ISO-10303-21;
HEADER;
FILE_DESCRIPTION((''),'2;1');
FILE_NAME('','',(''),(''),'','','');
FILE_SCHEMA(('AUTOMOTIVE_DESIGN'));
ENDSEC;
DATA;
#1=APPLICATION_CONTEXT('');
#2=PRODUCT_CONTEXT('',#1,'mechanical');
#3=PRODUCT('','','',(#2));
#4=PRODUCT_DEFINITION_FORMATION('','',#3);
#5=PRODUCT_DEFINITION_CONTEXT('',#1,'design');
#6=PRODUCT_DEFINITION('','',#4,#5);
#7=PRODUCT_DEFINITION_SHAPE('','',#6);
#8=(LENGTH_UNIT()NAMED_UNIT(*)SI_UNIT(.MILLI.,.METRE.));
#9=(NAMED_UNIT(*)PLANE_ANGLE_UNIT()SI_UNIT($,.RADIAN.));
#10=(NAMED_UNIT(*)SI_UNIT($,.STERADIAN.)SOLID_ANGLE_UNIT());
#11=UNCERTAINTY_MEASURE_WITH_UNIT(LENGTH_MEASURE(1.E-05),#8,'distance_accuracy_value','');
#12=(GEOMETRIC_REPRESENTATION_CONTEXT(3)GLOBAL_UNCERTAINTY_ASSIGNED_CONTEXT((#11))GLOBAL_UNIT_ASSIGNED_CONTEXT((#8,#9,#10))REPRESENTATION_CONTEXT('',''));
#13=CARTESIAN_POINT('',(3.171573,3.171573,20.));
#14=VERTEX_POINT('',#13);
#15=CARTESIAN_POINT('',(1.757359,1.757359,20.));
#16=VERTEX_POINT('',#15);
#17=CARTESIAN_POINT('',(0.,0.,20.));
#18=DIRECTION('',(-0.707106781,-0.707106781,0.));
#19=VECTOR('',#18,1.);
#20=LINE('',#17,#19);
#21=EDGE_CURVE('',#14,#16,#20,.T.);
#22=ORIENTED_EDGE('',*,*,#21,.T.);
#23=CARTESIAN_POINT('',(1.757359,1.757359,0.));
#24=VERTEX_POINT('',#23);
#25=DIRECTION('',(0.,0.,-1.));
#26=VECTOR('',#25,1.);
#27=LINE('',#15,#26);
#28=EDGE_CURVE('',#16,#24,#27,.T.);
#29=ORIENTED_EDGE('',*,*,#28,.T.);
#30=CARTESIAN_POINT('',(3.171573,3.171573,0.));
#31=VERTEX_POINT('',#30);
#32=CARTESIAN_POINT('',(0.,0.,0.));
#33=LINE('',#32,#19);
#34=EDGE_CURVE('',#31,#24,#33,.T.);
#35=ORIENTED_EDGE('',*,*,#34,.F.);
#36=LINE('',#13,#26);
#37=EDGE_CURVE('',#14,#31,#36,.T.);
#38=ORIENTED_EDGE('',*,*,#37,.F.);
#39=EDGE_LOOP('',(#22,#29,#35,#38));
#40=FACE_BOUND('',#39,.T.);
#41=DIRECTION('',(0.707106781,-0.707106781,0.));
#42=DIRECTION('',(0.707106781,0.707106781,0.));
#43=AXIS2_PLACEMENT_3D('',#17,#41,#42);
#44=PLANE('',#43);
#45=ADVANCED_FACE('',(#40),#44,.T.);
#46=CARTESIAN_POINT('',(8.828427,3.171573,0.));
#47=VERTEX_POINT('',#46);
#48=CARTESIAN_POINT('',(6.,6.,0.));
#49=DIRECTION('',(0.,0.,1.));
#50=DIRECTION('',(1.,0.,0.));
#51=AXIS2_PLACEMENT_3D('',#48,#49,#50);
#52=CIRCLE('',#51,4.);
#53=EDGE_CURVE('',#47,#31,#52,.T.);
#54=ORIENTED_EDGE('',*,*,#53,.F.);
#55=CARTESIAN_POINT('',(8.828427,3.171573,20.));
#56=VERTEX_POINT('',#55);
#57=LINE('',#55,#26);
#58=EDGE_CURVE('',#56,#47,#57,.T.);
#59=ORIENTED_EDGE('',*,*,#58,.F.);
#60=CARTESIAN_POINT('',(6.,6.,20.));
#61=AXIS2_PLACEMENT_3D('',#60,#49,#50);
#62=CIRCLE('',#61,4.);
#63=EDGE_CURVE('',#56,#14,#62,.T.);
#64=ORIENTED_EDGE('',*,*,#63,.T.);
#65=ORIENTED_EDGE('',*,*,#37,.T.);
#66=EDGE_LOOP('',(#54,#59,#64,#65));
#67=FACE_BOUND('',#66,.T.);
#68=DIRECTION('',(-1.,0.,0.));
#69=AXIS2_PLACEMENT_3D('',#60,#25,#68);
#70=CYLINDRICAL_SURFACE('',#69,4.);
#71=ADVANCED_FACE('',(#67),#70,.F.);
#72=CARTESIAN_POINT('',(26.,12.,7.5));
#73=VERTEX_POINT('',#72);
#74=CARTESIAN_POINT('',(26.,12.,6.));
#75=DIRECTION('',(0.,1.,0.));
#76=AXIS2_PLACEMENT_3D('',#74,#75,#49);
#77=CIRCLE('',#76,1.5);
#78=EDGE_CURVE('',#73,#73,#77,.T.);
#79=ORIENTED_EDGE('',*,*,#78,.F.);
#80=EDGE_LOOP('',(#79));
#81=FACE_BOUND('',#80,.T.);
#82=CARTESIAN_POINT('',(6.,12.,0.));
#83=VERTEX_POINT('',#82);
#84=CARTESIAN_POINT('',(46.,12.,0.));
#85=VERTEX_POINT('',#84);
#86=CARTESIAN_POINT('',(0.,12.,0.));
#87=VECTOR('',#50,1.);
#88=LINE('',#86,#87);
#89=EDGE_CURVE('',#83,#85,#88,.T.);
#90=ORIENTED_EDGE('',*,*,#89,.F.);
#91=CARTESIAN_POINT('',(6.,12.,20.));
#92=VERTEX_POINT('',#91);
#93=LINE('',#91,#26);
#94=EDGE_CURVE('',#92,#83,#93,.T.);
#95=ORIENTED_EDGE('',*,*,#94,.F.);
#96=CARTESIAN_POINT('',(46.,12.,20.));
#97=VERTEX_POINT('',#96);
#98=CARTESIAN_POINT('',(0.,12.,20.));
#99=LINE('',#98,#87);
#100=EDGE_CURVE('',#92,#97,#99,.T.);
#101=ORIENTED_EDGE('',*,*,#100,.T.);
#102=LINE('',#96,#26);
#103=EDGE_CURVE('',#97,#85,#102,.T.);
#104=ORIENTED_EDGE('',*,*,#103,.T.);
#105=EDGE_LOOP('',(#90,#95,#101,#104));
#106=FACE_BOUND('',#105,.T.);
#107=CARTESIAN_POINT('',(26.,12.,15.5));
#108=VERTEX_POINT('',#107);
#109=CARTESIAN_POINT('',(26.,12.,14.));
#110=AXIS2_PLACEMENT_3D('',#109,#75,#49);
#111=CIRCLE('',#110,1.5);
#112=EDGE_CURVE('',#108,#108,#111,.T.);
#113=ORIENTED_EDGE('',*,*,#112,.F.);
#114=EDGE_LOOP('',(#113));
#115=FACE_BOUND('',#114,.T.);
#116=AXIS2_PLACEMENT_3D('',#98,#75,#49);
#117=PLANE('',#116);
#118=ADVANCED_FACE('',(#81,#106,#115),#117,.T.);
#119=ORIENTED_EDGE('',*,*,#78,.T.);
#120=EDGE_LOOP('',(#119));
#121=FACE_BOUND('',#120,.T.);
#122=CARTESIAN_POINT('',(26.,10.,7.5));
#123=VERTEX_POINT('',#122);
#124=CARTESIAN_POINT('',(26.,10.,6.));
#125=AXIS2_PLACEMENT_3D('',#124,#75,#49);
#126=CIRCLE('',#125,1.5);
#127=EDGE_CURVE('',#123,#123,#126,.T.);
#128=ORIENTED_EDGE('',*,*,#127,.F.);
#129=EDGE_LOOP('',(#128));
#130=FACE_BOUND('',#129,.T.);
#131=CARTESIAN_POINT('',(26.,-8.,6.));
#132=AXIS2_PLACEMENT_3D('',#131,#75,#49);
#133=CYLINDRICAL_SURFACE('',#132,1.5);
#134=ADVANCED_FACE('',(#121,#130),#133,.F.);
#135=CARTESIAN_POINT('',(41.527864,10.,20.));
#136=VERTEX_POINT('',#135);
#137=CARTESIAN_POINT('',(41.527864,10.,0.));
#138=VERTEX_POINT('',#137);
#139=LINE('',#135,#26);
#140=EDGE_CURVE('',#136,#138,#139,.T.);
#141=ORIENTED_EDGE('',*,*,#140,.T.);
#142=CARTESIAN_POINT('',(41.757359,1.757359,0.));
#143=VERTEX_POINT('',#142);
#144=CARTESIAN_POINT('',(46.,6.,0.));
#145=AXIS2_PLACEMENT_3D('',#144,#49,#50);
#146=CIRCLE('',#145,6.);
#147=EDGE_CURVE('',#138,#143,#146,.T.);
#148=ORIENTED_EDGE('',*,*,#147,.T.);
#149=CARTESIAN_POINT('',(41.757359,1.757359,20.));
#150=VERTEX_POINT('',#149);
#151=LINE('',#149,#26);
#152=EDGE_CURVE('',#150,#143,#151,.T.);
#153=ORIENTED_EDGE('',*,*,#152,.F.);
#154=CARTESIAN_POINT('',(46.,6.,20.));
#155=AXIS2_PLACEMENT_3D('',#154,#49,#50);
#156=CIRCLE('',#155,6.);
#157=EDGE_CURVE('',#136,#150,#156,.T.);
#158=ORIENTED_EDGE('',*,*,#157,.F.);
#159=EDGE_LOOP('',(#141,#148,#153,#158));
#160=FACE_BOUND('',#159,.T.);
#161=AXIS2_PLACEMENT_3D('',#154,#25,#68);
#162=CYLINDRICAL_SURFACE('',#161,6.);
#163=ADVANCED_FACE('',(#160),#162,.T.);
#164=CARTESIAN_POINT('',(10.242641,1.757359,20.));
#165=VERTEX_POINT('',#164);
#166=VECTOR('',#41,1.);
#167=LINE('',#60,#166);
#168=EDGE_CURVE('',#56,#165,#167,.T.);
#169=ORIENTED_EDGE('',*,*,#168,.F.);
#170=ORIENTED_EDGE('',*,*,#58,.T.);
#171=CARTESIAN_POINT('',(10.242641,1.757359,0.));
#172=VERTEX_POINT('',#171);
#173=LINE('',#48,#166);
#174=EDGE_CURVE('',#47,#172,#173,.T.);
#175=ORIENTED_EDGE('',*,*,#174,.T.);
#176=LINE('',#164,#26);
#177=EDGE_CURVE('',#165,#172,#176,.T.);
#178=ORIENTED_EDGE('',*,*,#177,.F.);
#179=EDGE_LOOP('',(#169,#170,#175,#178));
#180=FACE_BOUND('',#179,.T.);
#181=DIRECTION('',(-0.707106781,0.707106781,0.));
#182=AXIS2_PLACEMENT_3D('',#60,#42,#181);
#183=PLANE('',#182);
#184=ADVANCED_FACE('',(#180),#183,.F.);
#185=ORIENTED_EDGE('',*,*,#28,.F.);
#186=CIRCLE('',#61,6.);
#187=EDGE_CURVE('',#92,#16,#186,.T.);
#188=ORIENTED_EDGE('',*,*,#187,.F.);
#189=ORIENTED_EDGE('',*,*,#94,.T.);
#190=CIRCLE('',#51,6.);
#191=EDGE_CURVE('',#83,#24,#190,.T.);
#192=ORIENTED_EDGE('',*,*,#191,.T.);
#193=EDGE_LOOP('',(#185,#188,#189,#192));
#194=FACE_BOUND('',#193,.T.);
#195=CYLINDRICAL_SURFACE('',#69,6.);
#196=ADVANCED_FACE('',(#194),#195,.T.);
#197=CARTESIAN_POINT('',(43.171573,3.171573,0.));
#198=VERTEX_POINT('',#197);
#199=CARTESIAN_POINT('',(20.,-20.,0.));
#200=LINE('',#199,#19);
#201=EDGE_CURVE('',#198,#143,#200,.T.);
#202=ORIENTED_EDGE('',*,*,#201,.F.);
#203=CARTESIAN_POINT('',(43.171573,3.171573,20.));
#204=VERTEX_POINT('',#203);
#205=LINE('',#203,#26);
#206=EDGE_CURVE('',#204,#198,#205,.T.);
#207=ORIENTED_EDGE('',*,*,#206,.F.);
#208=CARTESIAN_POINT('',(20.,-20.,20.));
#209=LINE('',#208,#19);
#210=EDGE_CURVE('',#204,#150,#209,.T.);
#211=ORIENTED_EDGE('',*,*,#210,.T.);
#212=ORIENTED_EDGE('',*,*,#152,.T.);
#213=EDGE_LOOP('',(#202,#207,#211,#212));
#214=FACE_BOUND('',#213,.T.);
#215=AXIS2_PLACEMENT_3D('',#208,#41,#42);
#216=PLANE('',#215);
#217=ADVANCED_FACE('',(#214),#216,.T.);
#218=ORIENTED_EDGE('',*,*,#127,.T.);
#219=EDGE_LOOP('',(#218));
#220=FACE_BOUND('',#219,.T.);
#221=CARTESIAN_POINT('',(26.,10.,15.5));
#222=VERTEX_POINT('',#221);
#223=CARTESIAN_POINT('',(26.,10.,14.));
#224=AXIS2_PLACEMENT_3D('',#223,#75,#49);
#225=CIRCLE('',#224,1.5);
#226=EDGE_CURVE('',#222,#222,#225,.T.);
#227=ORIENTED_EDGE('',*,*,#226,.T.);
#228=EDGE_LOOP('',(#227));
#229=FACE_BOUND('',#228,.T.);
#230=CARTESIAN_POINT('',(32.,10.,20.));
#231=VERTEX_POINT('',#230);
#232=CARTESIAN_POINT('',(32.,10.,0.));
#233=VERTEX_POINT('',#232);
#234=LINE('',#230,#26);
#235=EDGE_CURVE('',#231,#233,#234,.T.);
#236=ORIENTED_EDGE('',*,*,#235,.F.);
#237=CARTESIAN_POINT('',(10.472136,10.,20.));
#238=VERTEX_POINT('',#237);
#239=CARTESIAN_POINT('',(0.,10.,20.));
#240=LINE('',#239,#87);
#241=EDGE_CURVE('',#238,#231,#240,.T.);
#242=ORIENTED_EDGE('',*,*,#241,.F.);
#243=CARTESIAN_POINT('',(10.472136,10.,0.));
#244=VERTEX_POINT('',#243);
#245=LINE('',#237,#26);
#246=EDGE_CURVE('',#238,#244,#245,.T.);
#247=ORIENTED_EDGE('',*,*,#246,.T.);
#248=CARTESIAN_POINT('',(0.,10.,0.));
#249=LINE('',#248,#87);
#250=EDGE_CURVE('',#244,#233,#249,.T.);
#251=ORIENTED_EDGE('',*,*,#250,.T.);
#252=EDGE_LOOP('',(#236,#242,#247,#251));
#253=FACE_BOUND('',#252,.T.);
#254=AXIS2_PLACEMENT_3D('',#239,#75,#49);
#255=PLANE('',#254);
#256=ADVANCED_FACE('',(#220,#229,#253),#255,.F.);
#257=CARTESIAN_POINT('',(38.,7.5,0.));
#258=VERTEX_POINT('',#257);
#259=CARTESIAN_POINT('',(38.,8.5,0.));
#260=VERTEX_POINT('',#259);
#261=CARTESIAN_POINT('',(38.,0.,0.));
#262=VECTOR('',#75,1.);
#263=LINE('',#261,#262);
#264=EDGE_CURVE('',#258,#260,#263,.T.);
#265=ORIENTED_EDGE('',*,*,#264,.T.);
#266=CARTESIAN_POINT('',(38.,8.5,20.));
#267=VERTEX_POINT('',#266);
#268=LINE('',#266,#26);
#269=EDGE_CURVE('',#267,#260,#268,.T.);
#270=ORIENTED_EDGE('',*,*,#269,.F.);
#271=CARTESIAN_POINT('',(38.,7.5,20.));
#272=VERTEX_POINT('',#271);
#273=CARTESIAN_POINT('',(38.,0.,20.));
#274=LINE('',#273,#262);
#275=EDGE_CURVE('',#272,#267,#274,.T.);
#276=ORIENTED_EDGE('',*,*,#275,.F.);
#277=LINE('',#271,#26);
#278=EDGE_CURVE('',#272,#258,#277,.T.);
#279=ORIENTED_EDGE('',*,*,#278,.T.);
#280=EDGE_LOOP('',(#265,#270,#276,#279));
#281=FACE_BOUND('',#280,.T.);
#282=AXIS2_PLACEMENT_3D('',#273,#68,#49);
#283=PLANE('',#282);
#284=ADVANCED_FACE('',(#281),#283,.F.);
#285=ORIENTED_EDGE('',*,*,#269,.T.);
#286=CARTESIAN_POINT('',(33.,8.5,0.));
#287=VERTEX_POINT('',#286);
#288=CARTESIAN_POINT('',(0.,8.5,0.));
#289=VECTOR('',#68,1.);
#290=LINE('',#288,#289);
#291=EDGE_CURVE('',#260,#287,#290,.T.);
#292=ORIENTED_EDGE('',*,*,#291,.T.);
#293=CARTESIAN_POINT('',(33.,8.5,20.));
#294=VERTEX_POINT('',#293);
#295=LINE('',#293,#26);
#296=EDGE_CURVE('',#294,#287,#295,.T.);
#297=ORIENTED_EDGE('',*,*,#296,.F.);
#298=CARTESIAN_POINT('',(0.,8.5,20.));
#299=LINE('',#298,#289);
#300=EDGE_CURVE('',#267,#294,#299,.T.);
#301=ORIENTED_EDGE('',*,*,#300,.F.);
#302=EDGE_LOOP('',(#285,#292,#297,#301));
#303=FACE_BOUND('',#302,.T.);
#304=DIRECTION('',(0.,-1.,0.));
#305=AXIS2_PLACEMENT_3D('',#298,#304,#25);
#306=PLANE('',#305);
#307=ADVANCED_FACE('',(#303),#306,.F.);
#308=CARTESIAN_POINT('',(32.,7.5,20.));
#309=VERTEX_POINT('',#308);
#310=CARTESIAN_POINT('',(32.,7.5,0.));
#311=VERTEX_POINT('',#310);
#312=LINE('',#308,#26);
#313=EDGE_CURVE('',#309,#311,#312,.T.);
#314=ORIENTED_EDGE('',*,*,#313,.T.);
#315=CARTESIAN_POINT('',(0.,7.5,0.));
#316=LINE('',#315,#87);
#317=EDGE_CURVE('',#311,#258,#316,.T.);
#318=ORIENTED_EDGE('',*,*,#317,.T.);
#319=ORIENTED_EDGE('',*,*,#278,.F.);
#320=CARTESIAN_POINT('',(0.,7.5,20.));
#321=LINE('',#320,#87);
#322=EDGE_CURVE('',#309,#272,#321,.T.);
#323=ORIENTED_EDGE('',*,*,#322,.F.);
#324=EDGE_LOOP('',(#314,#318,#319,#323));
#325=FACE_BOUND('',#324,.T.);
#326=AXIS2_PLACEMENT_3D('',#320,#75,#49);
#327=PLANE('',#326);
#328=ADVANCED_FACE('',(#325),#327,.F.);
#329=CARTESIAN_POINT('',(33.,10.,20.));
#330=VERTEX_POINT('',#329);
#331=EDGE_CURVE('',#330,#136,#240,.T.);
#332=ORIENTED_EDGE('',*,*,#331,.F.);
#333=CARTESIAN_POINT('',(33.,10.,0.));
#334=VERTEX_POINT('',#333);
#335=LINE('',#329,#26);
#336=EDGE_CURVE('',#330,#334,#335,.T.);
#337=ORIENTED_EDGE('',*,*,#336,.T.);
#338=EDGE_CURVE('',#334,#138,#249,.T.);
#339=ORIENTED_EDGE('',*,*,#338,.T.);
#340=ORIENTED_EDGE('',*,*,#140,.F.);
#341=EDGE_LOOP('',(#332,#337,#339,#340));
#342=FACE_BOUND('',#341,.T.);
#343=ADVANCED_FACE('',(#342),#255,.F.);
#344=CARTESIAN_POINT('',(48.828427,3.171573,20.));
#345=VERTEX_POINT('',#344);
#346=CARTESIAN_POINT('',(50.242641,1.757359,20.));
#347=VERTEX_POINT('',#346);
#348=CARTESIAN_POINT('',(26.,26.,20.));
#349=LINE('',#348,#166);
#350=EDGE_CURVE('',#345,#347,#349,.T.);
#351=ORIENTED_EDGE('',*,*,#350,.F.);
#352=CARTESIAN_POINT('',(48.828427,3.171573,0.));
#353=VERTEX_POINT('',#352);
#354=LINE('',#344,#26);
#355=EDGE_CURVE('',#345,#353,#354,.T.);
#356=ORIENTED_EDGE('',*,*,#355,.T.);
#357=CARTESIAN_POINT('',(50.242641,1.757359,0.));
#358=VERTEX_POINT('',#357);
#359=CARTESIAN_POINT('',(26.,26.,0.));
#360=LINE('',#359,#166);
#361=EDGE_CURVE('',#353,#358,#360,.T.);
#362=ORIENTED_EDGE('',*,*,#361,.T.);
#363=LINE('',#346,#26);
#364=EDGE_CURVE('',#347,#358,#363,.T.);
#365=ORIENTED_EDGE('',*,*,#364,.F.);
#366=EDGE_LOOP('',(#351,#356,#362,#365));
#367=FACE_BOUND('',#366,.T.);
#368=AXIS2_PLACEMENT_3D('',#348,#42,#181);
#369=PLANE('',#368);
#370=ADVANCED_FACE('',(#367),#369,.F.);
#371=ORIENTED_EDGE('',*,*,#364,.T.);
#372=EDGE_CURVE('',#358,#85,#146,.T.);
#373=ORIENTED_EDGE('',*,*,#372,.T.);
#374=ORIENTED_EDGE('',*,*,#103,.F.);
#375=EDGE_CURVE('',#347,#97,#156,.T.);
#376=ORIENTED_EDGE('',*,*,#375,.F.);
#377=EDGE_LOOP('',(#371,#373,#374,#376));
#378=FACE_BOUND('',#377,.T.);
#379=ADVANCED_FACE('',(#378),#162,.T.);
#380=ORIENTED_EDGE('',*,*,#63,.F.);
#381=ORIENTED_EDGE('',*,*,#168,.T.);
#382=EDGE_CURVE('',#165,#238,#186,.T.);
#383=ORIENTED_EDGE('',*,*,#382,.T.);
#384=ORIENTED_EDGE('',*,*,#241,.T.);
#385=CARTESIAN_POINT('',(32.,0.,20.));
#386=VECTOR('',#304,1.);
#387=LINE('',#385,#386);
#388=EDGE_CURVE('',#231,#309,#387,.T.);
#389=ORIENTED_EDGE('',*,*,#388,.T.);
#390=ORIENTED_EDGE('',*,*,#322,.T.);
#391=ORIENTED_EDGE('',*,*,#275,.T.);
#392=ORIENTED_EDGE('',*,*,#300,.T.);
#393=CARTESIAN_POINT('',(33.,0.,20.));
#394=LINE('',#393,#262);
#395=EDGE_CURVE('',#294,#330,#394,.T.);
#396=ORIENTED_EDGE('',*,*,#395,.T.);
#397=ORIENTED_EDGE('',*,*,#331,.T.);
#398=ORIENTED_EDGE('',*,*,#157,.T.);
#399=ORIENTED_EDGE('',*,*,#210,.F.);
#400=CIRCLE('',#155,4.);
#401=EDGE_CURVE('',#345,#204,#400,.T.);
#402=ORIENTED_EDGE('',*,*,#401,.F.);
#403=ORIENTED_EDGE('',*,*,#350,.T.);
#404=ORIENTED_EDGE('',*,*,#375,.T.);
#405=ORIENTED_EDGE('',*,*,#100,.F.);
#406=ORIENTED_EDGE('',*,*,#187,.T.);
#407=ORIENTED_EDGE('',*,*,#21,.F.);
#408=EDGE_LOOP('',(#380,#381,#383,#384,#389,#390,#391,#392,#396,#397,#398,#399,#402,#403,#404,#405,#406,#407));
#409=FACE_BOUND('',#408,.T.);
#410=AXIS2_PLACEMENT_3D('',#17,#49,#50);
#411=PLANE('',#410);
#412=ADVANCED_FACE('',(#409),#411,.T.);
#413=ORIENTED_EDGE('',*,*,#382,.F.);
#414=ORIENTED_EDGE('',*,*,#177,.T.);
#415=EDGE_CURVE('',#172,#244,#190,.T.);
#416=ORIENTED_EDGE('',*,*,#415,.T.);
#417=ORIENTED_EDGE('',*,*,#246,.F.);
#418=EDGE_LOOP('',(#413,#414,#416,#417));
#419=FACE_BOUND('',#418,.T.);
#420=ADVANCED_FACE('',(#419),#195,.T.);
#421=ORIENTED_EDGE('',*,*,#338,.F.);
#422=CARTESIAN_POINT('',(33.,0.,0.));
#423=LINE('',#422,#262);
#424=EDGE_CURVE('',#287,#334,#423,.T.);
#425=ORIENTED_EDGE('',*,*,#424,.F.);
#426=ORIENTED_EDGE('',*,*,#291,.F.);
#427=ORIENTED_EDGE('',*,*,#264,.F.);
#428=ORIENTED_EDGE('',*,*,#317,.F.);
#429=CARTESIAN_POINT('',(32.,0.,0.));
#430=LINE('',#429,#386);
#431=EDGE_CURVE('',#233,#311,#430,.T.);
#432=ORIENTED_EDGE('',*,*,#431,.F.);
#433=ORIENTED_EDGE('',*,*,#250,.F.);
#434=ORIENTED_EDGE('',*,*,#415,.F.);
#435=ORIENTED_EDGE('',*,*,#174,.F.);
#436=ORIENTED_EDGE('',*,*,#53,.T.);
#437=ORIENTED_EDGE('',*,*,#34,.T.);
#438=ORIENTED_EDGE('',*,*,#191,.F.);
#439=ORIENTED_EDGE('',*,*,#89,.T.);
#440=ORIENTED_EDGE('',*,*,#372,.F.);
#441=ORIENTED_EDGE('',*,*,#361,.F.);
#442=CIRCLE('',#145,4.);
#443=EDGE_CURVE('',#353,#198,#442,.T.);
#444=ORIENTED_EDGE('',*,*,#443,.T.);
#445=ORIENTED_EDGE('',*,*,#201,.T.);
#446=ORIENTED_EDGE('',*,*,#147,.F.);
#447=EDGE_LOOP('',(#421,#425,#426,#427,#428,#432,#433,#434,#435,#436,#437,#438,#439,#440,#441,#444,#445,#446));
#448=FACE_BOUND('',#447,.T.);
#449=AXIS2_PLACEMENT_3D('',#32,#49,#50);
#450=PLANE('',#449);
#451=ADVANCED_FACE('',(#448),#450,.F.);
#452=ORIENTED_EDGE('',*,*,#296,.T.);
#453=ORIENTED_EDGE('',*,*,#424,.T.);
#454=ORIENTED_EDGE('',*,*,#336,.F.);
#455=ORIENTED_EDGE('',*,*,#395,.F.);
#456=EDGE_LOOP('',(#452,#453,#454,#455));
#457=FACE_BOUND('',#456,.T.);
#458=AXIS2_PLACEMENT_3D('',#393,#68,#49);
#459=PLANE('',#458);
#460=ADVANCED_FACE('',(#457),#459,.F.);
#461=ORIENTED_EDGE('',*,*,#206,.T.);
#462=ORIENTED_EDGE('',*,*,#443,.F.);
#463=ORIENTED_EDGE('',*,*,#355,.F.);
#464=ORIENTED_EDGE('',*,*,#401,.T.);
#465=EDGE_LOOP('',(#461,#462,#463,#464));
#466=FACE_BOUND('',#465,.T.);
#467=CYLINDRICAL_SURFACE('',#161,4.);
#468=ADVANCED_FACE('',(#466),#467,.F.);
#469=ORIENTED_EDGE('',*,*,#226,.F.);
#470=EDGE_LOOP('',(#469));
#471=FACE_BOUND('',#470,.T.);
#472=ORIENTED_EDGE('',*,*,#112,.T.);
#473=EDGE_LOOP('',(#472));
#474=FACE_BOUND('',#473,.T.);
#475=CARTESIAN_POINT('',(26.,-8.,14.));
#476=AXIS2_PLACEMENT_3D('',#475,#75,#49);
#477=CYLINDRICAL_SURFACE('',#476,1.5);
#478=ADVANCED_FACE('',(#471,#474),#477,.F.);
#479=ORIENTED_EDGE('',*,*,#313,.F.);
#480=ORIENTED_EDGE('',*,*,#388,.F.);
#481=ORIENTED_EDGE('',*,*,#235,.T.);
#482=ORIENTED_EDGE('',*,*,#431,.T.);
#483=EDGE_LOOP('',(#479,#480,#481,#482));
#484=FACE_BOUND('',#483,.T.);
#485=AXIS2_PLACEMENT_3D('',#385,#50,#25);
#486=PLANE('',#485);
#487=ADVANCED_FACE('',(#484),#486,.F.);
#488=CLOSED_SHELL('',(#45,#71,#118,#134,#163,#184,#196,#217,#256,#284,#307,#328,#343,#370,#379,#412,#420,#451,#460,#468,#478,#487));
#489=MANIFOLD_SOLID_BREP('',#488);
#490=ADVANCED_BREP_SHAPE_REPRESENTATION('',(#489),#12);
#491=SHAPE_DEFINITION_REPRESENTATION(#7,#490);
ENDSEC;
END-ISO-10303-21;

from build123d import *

# Parameters (mm, degrees)
BOSS_EXTRU_1_DEPTH      = 20
ESQUISSE2_R             = 1.5
ENL_V_MAT_EXTRU_1_DEPTH = 20


with BuildPart() as part:
    # Esquisse1 → Boss.-Extru.1 (new body)
    with BuildSketch(Plane.XY):
        with BuildLine():
            Line((46, 12), (6, 12))
            ThreePointArc((6, 12), (0.456722805, 8.296100594), (1.757359313, 1.757359313))
            Line((1.757359313, 1.757359313), (3.171572875, 3.171572875))
            ThreePointArc((3.171572875, 3.171572875), (6, 10), (8.828427125, 3.171572875))
            Line((8.828427125, 3.171572875), (10.242640687, 1.757359313))
            ThreePointArc((10.242640687, 1.757359313), (11.997675746, 5.833010044), (10.472135955, 10))
            Line((10.472135955, 10), (32, 10))
            Line((32, 10), (32, 7.5))
            Line((32, 7.5), (38, 7.5))
            Line((38, 7.5), (38, 8.5))
            Line((38, 8.5), (33, 8.5))
            Line((33, 8.5), (33, 10))
            Line((33, 10), (41.527864045, 10))
            ThreePointArc((41.527864045, 10), (40.002324254, 5.833010044), (41.757359313, 1.757359313))
            Line((41.757359313, 1.757359313), (43.171572875, 3.171572875))
            ThreePointArc((43.171572875, 3.171572875), (46, 10), (48.828427125, 3.171572875))
            Line((48.828427125, 3.171572875), (50.242640687, 1.757359313))
            ThreePointArc((50.242640687, 1.757359313), (51.543277195, 8.296100594), (46, 12))
        make_face()
    extrude(amount=BOSS_EXTRU_1_DEPTH)

    # Esquisse2 → Enlèv. mat.-Extru.1 (cut)
    with BuildSketch(Plane(origin=(0, 12, 0), x_dir=(1, 0, 0), z_dir=(0, 1, 0))):
        with Locations(Location((26, -6, 0), (0, 0, 270))):
            Circle(ESQUISSE2_R)
        with Locations(Location((26, -14, 0), (0, 0, 270))):
            Circle(ESQUISSE2_R)
    extrude(amount=-ENL_V_MAT_EXTRU_1_DEPTH, mode=Mode.SUBTRACT)


solid = part.part
